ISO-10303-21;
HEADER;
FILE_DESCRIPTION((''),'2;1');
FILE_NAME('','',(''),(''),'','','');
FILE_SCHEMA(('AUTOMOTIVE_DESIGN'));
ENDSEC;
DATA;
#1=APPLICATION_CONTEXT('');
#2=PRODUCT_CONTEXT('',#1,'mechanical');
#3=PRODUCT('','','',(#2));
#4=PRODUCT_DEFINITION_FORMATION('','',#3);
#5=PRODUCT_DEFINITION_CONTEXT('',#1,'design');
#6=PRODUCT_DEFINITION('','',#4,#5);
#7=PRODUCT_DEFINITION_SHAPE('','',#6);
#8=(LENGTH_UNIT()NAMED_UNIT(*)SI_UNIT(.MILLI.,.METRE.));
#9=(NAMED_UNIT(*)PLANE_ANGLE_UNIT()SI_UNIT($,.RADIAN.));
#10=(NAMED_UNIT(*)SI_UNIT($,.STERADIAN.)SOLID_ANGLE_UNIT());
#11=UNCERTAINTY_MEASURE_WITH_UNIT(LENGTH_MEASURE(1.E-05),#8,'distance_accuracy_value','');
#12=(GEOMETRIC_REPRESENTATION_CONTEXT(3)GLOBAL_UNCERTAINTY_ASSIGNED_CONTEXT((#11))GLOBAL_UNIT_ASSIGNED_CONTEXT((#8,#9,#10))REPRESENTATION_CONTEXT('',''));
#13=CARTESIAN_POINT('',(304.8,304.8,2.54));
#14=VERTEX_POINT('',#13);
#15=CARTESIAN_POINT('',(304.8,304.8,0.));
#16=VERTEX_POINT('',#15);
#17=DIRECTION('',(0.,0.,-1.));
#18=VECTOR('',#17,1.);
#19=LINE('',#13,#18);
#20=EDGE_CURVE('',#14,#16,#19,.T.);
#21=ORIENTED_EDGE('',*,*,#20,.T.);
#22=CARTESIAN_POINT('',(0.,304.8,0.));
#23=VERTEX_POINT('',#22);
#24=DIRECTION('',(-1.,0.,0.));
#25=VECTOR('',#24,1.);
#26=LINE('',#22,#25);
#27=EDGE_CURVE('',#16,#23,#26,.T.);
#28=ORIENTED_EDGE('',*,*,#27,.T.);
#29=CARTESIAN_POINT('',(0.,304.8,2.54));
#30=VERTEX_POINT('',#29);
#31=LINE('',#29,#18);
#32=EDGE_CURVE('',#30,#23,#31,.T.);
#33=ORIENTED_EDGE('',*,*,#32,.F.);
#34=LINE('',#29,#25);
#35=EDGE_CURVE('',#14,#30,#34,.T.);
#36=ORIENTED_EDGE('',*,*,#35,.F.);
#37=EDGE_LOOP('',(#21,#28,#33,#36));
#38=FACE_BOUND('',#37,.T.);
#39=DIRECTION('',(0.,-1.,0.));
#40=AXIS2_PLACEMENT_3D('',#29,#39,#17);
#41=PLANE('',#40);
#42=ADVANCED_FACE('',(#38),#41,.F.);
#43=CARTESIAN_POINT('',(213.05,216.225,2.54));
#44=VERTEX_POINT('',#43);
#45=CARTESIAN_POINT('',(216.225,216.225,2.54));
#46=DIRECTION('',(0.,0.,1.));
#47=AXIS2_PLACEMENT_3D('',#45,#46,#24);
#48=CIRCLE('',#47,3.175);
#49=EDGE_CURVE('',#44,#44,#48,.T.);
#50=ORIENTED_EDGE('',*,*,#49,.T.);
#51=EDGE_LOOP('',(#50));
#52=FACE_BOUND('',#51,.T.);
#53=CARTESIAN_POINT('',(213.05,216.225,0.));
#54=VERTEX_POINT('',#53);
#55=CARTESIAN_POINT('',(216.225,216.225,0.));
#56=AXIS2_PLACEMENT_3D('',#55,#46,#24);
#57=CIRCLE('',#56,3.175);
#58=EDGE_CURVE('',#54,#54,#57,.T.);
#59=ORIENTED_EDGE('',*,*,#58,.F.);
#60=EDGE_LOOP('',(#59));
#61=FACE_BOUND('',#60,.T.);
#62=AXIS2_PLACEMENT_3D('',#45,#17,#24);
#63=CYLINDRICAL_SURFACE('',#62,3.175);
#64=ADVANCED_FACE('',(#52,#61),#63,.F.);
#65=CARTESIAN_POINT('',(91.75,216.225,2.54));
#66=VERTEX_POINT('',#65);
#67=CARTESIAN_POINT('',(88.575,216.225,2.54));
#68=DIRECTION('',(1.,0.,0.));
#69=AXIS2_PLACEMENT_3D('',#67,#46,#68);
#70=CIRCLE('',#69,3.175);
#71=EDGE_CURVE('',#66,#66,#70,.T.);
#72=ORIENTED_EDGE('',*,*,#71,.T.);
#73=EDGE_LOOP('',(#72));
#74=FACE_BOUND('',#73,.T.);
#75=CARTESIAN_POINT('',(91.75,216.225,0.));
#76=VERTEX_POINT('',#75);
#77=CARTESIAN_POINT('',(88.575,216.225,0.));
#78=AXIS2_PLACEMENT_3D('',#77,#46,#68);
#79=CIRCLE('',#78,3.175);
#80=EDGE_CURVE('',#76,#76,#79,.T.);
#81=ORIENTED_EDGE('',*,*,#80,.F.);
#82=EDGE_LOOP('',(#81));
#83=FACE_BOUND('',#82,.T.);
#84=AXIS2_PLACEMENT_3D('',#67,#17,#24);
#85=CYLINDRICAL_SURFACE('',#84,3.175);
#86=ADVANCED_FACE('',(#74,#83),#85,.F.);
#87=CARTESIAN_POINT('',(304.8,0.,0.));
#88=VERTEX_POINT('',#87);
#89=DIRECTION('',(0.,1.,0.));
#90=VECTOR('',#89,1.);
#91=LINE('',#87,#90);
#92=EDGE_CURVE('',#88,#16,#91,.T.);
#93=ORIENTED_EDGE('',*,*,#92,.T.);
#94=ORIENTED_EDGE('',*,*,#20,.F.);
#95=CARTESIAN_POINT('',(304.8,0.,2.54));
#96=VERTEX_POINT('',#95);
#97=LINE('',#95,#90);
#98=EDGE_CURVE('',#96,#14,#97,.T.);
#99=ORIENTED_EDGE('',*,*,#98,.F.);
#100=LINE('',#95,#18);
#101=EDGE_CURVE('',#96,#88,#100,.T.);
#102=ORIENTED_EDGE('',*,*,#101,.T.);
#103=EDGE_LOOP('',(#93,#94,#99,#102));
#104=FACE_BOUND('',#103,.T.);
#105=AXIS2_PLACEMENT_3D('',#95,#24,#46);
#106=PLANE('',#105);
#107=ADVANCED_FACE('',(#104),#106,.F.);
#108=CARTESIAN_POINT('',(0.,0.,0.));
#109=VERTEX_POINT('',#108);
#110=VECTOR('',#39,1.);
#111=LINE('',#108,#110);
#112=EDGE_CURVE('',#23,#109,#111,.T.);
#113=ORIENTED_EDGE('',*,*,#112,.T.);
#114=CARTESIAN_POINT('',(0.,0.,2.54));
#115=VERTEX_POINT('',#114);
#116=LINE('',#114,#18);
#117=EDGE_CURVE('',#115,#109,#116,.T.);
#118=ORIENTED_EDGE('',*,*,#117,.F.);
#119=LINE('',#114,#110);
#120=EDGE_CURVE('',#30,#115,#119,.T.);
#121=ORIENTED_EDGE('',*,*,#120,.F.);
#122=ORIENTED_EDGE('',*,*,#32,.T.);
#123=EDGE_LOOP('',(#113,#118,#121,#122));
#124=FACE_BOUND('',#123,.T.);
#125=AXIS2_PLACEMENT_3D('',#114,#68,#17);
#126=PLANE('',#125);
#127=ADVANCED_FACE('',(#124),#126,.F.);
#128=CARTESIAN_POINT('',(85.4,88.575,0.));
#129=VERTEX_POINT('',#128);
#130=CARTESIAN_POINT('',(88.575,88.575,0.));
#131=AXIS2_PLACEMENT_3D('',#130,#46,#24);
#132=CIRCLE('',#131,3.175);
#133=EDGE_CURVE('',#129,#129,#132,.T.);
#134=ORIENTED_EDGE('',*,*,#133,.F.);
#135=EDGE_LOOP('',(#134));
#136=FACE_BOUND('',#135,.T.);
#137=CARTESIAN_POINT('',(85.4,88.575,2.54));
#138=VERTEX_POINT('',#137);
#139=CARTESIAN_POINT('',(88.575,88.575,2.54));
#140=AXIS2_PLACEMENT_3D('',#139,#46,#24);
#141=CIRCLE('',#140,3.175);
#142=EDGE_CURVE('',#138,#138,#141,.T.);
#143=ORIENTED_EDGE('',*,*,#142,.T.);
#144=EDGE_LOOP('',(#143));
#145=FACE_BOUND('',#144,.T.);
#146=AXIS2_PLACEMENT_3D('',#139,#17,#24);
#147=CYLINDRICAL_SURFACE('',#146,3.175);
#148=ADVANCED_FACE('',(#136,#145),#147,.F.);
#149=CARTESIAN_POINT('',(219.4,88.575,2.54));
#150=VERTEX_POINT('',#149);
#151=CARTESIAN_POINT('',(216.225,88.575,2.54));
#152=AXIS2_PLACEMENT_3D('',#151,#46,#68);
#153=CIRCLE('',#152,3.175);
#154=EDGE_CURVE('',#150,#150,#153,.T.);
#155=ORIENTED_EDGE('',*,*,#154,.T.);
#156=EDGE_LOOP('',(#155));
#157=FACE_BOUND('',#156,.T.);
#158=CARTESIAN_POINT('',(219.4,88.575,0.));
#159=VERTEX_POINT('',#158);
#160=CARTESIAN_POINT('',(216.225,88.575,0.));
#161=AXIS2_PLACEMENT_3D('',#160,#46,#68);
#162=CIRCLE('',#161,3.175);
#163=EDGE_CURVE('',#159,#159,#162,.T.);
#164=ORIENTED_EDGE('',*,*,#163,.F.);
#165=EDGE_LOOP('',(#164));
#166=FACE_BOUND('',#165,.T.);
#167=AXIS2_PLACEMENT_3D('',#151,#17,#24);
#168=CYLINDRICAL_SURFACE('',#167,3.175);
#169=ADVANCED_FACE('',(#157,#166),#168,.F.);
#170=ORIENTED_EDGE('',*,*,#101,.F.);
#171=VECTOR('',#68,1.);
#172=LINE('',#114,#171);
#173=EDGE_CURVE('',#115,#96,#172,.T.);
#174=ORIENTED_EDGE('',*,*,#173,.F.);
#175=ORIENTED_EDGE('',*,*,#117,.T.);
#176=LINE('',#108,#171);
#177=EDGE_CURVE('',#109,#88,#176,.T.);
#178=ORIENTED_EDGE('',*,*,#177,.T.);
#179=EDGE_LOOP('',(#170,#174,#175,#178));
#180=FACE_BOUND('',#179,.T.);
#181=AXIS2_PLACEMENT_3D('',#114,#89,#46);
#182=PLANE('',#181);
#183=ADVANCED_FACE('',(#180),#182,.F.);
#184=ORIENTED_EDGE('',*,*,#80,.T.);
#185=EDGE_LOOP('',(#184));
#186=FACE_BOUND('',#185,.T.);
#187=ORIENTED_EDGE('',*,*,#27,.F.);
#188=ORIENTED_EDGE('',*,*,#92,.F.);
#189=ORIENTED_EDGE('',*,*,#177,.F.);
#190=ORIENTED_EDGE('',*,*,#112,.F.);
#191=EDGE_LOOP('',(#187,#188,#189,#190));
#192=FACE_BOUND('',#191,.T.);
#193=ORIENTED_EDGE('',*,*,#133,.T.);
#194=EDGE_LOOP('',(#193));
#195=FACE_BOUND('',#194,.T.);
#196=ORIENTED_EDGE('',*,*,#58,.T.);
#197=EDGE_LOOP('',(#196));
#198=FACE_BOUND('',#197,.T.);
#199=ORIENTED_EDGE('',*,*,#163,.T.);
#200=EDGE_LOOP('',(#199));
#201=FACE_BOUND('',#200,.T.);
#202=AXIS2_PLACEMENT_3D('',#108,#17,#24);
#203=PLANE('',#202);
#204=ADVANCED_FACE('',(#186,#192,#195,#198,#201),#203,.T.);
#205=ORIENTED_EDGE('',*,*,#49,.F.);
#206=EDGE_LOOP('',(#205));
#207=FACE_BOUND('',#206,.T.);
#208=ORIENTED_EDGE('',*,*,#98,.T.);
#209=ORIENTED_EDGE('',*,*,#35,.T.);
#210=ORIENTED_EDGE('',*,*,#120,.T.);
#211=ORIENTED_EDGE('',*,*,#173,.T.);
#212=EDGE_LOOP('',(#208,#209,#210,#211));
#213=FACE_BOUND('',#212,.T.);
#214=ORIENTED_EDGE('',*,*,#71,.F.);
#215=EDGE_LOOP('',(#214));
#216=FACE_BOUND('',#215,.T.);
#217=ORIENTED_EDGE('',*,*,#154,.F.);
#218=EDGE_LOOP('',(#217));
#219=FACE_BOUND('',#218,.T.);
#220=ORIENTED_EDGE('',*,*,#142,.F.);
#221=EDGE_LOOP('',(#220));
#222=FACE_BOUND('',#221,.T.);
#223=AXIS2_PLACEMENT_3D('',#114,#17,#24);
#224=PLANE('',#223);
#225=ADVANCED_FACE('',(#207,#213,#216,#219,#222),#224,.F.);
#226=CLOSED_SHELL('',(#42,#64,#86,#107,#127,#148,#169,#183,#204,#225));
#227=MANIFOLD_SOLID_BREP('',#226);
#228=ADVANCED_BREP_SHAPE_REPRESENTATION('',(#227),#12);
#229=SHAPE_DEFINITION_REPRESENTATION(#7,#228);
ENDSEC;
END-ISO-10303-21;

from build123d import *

# Parameters (mm, degrees)
SKETCH1_W           = 304.8
SKETCH1_H           = 304.8
SKETCH1_R           = 3.175
BOSS_EXTRUDE1_DEPTH = 2.54


with BuildPart() as part:
    # Sketch1 → Boss-Extrude1 (new body)
    with BuildSketch(Plane.XY):
        with Locations((152.4, 152.4)):
            Rectangle(SKETCH1_W, SKETCH1_H)
        with Locations((88.575, 216.225)):
            Circle(SKETCH1_R, mode=Mode.SUBTRACT)
        with Locations((88.575, 88.575)):
            Circle(SKETCH1_R, mode=Mode.SUBTRACT)
        with Locations((216.225, 88.575)):
            Circle(SKETCH1_R, mode=Mode.SUBTRACT)
        with Locations((216.225, 216.225)):
            Circle(SKETCH1_R, mode=Mode.SUBTRACT)
    extrude(amount=BOSS_EXTRUDE1_DEPTH)


solid = part.part
